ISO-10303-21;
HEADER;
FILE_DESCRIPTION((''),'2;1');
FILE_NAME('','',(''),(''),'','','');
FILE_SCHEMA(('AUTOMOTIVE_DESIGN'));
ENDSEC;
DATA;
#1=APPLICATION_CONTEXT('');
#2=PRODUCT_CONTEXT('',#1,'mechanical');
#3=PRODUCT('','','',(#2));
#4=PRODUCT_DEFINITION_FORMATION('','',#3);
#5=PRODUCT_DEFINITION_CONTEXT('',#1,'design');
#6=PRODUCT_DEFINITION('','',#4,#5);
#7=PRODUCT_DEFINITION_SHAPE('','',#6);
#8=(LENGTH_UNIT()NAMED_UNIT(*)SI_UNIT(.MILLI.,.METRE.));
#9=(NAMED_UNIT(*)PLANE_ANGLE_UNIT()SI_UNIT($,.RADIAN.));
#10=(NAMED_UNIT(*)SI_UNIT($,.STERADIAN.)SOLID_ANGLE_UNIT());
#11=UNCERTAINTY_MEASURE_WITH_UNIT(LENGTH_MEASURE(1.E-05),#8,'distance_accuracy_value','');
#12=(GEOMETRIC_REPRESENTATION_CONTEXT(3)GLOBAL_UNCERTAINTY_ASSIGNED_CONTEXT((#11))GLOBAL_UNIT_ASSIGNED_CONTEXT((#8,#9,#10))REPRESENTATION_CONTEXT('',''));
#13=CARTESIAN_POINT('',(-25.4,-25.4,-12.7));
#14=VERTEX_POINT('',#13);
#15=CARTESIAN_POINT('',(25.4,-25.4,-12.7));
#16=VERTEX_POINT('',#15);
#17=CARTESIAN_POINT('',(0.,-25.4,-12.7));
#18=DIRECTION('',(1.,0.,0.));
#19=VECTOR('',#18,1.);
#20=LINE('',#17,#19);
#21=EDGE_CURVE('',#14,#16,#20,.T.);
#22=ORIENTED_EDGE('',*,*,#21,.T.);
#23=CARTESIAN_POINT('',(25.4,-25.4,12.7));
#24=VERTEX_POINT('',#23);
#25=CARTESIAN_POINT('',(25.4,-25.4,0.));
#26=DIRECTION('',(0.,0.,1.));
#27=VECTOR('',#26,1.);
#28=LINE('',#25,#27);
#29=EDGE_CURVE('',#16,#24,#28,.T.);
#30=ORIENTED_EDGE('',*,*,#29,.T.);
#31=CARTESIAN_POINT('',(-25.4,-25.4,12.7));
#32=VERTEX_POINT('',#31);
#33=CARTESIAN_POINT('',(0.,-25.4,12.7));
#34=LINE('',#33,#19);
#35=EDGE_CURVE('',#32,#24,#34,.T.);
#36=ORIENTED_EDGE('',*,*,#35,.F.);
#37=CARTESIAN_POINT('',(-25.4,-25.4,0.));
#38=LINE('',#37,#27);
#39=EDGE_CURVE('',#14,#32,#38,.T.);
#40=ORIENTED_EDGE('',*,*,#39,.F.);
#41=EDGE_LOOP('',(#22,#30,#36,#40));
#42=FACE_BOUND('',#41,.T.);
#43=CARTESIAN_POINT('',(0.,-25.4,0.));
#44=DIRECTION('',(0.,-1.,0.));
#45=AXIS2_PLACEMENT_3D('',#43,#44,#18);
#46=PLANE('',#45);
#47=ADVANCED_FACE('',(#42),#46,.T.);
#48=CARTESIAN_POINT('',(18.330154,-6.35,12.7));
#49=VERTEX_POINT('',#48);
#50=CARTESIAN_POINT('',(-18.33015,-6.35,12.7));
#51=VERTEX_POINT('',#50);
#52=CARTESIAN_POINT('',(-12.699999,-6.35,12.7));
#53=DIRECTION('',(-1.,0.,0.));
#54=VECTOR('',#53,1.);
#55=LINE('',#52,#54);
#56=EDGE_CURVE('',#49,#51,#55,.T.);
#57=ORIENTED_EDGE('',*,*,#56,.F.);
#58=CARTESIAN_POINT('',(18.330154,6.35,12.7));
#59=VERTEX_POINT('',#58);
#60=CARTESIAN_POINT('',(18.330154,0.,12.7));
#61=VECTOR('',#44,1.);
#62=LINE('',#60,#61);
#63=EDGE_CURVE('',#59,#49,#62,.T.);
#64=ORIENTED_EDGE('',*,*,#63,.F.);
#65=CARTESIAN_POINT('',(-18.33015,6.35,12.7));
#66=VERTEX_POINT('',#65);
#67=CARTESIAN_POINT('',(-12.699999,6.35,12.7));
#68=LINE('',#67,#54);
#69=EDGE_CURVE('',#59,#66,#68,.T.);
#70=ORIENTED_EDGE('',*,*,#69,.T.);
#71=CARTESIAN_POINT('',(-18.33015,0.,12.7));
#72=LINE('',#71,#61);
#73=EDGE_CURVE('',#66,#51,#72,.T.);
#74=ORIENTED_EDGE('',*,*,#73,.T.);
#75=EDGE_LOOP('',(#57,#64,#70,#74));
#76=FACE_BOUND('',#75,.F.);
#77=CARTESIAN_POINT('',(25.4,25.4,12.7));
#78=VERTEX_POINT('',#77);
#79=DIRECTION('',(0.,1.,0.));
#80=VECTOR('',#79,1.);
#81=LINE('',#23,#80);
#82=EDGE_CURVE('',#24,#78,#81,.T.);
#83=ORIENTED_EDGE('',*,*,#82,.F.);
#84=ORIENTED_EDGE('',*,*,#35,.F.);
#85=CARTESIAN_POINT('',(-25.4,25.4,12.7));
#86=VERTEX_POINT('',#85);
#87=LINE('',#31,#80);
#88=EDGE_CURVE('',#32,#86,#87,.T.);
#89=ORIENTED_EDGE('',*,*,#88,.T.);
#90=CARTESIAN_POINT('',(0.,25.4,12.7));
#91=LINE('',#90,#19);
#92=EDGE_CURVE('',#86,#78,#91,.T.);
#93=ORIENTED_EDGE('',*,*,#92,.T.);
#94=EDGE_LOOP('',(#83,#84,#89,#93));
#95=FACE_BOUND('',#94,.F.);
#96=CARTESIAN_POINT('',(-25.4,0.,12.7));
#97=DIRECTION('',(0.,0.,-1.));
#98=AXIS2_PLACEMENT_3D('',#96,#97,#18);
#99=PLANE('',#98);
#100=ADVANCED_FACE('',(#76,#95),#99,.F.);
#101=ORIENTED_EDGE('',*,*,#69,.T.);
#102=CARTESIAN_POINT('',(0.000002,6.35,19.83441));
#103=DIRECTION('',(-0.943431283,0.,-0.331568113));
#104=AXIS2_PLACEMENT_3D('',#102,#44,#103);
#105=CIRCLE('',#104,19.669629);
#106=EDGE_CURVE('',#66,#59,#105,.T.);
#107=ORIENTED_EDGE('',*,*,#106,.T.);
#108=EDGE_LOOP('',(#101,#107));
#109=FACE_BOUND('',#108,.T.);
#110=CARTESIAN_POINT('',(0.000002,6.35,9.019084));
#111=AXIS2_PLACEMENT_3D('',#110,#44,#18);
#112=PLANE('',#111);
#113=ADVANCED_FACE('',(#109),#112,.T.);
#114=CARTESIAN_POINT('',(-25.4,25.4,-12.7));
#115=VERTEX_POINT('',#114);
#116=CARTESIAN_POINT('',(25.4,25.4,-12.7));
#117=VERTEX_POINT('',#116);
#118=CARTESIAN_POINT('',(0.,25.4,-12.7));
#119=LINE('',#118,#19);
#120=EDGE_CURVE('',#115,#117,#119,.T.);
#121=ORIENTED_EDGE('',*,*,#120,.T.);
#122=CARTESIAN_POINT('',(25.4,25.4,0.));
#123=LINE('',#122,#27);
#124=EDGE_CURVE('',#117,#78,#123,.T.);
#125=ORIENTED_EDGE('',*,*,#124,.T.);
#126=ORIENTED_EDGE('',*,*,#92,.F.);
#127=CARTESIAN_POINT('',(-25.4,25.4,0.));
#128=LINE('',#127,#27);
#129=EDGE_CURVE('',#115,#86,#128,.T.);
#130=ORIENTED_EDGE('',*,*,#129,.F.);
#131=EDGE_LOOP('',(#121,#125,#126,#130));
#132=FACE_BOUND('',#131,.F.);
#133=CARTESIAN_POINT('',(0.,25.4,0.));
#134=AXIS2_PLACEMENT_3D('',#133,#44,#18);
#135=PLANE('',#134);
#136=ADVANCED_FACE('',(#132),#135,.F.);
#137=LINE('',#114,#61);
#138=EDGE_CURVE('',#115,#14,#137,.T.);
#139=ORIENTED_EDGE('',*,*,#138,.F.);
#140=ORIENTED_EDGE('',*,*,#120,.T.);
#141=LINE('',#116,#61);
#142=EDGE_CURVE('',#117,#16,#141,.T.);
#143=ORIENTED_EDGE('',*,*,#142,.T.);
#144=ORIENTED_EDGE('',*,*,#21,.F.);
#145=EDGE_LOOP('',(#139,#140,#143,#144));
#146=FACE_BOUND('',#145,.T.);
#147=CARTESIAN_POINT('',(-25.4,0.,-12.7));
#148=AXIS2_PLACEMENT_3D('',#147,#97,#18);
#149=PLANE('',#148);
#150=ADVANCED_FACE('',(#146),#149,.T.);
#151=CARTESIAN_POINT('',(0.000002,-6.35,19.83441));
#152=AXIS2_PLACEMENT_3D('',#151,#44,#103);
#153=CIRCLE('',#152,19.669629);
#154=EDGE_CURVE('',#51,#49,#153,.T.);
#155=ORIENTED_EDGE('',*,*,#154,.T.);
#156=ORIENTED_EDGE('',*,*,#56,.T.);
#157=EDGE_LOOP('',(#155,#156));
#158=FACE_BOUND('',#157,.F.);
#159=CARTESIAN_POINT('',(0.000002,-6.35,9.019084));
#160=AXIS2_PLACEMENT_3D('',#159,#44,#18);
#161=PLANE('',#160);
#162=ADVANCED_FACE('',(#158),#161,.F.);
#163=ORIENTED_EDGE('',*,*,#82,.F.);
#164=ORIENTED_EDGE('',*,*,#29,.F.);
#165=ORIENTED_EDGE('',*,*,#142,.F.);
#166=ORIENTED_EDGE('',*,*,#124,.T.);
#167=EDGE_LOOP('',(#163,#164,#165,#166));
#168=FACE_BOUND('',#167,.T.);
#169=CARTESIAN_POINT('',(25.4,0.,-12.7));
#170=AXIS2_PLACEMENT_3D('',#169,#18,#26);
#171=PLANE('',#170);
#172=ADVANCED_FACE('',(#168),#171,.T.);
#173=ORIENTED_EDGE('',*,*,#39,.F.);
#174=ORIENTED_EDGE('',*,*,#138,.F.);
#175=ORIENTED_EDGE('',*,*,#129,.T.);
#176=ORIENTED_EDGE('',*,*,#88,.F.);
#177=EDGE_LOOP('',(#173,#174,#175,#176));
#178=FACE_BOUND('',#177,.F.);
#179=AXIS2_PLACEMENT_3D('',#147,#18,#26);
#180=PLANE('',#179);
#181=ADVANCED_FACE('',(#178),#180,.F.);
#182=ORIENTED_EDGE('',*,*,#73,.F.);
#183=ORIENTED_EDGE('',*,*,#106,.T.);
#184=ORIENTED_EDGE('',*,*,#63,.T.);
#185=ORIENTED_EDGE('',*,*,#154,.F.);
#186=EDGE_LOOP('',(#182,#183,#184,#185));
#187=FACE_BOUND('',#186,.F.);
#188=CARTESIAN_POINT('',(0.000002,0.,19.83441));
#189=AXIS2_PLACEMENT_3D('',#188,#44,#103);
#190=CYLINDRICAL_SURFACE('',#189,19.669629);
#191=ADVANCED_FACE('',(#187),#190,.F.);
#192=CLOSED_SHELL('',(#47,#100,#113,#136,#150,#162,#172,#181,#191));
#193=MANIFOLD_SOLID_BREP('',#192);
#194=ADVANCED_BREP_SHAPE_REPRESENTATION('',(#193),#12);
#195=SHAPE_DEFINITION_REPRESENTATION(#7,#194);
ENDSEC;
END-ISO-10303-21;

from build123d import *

# Parameters (mm, degrees)
F0_W     = 50.8
F0_H     = 25.4
F2_DEPTH = 25.4
F3_DEPTH = 6.35


with BuildPart() as f2:
    # F0 (on Front) → F2 (new body, symmetric)
    with BuildSketch(Plane.XZ):
        Rectangle(F0_W, F0_H)
    extrude(amount=F2_DEPTH, both=True)

    # F1 (on Front) → F3 (cut, symmetric)
    with BuildSketch(Plane.XZ):
        with BuildLine():
            Line((18.556945, 13.312588), (-18.556941, 13.312588))
            ThreePointArc((-18.556941, 13.312588), (2e-06, 0.164781), (18.556945, 13.312588))
        make_face()
    extrude(amount=F3_DEPTH, both=True, mode=Mode.SUBTRACT)


solid = f2.part
